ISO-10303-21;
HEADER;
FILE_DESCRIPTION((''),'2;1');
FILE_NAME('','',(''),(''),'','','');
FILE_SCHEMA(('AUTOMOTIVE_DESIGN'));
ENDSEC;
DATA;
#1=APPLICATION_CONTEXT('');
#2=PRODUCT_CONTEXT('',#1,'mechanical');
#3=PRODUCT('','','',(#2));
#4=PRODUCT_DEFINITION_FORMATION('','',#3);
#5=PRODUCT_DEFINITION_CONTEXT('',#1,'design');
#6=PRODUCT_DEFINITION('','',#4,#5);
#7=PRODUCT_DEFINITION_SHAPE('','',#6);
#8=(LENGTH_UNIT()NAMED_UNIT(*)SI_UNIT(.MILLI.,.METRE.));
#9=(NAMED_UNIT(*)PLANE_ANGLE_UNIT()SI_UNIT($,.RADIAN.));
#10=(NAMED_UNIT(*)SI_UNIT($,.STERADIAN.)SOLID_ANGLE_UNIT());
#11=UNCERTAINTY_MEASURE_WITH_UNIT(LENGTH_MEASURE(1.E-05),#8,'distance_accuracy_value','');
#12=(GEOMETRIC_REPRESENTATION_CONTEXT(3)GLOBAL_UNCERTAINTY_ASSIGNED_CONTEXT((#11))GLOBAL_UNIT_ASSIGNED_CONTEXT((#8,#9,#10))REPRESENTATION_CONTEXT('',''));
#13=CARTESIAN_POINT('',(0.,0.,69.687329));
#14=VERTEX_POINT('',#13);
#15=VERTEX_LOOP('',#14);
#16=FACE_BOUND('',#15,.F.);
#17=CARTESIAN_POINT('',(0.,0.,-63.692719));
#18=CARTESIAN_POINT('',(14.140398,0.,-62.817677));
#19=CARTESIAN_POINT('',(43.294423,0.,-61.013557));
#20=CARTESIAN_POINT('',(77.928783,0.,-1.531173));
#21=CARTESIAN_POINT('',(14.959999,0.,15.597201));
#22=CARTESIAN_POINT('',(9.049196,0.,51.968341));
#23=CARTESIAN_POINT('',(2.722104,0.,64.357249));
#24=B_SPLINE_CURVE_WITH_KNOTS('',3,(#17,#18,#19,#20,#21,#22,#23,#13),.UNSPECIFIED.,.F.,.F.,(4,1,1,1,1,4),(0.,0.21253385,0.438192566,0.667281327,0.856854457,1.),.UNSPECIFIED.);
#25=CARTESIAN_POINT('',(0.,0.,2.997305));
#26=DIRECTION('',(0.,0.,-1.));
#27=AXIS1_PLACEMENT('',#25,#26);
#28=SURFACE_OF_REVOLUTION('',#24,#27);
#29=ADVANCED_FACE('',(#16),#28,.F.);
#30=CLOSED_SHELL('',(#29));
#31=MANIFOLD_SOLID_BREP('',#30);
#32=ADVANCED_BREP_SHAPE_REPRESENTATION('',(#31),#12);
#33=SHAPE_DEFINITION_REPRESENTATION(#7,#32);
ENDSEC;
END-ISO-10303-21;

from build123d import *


with BuildPart() as f1:
    # F0 (on Front) → F1 (revolve)
    with BuildSketch(Plane.XZ):
        with BuildLine():
            Line((0, 69.6873292327), (0, -63.6927187443))
            add(Edge.make_bspline(
                [(0, -63.6927187443), (14.1403977605, -62.8176771781), (43.2944227527, -61.0135565217), (77.9287827552, -1.531173133), (14.9599990371, 15.5972013111), (9.0491961151, 51.9683407892), (2.7221044317, 64.3572494826), (0, 69.6873292327)],
                knots=[0, 0, 0, 0, 0.2125338501, 0.438192566, 0.6672813268, 0.856854457, 1, 1, 1, 1], degree=3))
        make_face()
    revolve(axis=Axis((0, 0, 2.9973052442), (0, 0, -1)))


solid = f1.part
